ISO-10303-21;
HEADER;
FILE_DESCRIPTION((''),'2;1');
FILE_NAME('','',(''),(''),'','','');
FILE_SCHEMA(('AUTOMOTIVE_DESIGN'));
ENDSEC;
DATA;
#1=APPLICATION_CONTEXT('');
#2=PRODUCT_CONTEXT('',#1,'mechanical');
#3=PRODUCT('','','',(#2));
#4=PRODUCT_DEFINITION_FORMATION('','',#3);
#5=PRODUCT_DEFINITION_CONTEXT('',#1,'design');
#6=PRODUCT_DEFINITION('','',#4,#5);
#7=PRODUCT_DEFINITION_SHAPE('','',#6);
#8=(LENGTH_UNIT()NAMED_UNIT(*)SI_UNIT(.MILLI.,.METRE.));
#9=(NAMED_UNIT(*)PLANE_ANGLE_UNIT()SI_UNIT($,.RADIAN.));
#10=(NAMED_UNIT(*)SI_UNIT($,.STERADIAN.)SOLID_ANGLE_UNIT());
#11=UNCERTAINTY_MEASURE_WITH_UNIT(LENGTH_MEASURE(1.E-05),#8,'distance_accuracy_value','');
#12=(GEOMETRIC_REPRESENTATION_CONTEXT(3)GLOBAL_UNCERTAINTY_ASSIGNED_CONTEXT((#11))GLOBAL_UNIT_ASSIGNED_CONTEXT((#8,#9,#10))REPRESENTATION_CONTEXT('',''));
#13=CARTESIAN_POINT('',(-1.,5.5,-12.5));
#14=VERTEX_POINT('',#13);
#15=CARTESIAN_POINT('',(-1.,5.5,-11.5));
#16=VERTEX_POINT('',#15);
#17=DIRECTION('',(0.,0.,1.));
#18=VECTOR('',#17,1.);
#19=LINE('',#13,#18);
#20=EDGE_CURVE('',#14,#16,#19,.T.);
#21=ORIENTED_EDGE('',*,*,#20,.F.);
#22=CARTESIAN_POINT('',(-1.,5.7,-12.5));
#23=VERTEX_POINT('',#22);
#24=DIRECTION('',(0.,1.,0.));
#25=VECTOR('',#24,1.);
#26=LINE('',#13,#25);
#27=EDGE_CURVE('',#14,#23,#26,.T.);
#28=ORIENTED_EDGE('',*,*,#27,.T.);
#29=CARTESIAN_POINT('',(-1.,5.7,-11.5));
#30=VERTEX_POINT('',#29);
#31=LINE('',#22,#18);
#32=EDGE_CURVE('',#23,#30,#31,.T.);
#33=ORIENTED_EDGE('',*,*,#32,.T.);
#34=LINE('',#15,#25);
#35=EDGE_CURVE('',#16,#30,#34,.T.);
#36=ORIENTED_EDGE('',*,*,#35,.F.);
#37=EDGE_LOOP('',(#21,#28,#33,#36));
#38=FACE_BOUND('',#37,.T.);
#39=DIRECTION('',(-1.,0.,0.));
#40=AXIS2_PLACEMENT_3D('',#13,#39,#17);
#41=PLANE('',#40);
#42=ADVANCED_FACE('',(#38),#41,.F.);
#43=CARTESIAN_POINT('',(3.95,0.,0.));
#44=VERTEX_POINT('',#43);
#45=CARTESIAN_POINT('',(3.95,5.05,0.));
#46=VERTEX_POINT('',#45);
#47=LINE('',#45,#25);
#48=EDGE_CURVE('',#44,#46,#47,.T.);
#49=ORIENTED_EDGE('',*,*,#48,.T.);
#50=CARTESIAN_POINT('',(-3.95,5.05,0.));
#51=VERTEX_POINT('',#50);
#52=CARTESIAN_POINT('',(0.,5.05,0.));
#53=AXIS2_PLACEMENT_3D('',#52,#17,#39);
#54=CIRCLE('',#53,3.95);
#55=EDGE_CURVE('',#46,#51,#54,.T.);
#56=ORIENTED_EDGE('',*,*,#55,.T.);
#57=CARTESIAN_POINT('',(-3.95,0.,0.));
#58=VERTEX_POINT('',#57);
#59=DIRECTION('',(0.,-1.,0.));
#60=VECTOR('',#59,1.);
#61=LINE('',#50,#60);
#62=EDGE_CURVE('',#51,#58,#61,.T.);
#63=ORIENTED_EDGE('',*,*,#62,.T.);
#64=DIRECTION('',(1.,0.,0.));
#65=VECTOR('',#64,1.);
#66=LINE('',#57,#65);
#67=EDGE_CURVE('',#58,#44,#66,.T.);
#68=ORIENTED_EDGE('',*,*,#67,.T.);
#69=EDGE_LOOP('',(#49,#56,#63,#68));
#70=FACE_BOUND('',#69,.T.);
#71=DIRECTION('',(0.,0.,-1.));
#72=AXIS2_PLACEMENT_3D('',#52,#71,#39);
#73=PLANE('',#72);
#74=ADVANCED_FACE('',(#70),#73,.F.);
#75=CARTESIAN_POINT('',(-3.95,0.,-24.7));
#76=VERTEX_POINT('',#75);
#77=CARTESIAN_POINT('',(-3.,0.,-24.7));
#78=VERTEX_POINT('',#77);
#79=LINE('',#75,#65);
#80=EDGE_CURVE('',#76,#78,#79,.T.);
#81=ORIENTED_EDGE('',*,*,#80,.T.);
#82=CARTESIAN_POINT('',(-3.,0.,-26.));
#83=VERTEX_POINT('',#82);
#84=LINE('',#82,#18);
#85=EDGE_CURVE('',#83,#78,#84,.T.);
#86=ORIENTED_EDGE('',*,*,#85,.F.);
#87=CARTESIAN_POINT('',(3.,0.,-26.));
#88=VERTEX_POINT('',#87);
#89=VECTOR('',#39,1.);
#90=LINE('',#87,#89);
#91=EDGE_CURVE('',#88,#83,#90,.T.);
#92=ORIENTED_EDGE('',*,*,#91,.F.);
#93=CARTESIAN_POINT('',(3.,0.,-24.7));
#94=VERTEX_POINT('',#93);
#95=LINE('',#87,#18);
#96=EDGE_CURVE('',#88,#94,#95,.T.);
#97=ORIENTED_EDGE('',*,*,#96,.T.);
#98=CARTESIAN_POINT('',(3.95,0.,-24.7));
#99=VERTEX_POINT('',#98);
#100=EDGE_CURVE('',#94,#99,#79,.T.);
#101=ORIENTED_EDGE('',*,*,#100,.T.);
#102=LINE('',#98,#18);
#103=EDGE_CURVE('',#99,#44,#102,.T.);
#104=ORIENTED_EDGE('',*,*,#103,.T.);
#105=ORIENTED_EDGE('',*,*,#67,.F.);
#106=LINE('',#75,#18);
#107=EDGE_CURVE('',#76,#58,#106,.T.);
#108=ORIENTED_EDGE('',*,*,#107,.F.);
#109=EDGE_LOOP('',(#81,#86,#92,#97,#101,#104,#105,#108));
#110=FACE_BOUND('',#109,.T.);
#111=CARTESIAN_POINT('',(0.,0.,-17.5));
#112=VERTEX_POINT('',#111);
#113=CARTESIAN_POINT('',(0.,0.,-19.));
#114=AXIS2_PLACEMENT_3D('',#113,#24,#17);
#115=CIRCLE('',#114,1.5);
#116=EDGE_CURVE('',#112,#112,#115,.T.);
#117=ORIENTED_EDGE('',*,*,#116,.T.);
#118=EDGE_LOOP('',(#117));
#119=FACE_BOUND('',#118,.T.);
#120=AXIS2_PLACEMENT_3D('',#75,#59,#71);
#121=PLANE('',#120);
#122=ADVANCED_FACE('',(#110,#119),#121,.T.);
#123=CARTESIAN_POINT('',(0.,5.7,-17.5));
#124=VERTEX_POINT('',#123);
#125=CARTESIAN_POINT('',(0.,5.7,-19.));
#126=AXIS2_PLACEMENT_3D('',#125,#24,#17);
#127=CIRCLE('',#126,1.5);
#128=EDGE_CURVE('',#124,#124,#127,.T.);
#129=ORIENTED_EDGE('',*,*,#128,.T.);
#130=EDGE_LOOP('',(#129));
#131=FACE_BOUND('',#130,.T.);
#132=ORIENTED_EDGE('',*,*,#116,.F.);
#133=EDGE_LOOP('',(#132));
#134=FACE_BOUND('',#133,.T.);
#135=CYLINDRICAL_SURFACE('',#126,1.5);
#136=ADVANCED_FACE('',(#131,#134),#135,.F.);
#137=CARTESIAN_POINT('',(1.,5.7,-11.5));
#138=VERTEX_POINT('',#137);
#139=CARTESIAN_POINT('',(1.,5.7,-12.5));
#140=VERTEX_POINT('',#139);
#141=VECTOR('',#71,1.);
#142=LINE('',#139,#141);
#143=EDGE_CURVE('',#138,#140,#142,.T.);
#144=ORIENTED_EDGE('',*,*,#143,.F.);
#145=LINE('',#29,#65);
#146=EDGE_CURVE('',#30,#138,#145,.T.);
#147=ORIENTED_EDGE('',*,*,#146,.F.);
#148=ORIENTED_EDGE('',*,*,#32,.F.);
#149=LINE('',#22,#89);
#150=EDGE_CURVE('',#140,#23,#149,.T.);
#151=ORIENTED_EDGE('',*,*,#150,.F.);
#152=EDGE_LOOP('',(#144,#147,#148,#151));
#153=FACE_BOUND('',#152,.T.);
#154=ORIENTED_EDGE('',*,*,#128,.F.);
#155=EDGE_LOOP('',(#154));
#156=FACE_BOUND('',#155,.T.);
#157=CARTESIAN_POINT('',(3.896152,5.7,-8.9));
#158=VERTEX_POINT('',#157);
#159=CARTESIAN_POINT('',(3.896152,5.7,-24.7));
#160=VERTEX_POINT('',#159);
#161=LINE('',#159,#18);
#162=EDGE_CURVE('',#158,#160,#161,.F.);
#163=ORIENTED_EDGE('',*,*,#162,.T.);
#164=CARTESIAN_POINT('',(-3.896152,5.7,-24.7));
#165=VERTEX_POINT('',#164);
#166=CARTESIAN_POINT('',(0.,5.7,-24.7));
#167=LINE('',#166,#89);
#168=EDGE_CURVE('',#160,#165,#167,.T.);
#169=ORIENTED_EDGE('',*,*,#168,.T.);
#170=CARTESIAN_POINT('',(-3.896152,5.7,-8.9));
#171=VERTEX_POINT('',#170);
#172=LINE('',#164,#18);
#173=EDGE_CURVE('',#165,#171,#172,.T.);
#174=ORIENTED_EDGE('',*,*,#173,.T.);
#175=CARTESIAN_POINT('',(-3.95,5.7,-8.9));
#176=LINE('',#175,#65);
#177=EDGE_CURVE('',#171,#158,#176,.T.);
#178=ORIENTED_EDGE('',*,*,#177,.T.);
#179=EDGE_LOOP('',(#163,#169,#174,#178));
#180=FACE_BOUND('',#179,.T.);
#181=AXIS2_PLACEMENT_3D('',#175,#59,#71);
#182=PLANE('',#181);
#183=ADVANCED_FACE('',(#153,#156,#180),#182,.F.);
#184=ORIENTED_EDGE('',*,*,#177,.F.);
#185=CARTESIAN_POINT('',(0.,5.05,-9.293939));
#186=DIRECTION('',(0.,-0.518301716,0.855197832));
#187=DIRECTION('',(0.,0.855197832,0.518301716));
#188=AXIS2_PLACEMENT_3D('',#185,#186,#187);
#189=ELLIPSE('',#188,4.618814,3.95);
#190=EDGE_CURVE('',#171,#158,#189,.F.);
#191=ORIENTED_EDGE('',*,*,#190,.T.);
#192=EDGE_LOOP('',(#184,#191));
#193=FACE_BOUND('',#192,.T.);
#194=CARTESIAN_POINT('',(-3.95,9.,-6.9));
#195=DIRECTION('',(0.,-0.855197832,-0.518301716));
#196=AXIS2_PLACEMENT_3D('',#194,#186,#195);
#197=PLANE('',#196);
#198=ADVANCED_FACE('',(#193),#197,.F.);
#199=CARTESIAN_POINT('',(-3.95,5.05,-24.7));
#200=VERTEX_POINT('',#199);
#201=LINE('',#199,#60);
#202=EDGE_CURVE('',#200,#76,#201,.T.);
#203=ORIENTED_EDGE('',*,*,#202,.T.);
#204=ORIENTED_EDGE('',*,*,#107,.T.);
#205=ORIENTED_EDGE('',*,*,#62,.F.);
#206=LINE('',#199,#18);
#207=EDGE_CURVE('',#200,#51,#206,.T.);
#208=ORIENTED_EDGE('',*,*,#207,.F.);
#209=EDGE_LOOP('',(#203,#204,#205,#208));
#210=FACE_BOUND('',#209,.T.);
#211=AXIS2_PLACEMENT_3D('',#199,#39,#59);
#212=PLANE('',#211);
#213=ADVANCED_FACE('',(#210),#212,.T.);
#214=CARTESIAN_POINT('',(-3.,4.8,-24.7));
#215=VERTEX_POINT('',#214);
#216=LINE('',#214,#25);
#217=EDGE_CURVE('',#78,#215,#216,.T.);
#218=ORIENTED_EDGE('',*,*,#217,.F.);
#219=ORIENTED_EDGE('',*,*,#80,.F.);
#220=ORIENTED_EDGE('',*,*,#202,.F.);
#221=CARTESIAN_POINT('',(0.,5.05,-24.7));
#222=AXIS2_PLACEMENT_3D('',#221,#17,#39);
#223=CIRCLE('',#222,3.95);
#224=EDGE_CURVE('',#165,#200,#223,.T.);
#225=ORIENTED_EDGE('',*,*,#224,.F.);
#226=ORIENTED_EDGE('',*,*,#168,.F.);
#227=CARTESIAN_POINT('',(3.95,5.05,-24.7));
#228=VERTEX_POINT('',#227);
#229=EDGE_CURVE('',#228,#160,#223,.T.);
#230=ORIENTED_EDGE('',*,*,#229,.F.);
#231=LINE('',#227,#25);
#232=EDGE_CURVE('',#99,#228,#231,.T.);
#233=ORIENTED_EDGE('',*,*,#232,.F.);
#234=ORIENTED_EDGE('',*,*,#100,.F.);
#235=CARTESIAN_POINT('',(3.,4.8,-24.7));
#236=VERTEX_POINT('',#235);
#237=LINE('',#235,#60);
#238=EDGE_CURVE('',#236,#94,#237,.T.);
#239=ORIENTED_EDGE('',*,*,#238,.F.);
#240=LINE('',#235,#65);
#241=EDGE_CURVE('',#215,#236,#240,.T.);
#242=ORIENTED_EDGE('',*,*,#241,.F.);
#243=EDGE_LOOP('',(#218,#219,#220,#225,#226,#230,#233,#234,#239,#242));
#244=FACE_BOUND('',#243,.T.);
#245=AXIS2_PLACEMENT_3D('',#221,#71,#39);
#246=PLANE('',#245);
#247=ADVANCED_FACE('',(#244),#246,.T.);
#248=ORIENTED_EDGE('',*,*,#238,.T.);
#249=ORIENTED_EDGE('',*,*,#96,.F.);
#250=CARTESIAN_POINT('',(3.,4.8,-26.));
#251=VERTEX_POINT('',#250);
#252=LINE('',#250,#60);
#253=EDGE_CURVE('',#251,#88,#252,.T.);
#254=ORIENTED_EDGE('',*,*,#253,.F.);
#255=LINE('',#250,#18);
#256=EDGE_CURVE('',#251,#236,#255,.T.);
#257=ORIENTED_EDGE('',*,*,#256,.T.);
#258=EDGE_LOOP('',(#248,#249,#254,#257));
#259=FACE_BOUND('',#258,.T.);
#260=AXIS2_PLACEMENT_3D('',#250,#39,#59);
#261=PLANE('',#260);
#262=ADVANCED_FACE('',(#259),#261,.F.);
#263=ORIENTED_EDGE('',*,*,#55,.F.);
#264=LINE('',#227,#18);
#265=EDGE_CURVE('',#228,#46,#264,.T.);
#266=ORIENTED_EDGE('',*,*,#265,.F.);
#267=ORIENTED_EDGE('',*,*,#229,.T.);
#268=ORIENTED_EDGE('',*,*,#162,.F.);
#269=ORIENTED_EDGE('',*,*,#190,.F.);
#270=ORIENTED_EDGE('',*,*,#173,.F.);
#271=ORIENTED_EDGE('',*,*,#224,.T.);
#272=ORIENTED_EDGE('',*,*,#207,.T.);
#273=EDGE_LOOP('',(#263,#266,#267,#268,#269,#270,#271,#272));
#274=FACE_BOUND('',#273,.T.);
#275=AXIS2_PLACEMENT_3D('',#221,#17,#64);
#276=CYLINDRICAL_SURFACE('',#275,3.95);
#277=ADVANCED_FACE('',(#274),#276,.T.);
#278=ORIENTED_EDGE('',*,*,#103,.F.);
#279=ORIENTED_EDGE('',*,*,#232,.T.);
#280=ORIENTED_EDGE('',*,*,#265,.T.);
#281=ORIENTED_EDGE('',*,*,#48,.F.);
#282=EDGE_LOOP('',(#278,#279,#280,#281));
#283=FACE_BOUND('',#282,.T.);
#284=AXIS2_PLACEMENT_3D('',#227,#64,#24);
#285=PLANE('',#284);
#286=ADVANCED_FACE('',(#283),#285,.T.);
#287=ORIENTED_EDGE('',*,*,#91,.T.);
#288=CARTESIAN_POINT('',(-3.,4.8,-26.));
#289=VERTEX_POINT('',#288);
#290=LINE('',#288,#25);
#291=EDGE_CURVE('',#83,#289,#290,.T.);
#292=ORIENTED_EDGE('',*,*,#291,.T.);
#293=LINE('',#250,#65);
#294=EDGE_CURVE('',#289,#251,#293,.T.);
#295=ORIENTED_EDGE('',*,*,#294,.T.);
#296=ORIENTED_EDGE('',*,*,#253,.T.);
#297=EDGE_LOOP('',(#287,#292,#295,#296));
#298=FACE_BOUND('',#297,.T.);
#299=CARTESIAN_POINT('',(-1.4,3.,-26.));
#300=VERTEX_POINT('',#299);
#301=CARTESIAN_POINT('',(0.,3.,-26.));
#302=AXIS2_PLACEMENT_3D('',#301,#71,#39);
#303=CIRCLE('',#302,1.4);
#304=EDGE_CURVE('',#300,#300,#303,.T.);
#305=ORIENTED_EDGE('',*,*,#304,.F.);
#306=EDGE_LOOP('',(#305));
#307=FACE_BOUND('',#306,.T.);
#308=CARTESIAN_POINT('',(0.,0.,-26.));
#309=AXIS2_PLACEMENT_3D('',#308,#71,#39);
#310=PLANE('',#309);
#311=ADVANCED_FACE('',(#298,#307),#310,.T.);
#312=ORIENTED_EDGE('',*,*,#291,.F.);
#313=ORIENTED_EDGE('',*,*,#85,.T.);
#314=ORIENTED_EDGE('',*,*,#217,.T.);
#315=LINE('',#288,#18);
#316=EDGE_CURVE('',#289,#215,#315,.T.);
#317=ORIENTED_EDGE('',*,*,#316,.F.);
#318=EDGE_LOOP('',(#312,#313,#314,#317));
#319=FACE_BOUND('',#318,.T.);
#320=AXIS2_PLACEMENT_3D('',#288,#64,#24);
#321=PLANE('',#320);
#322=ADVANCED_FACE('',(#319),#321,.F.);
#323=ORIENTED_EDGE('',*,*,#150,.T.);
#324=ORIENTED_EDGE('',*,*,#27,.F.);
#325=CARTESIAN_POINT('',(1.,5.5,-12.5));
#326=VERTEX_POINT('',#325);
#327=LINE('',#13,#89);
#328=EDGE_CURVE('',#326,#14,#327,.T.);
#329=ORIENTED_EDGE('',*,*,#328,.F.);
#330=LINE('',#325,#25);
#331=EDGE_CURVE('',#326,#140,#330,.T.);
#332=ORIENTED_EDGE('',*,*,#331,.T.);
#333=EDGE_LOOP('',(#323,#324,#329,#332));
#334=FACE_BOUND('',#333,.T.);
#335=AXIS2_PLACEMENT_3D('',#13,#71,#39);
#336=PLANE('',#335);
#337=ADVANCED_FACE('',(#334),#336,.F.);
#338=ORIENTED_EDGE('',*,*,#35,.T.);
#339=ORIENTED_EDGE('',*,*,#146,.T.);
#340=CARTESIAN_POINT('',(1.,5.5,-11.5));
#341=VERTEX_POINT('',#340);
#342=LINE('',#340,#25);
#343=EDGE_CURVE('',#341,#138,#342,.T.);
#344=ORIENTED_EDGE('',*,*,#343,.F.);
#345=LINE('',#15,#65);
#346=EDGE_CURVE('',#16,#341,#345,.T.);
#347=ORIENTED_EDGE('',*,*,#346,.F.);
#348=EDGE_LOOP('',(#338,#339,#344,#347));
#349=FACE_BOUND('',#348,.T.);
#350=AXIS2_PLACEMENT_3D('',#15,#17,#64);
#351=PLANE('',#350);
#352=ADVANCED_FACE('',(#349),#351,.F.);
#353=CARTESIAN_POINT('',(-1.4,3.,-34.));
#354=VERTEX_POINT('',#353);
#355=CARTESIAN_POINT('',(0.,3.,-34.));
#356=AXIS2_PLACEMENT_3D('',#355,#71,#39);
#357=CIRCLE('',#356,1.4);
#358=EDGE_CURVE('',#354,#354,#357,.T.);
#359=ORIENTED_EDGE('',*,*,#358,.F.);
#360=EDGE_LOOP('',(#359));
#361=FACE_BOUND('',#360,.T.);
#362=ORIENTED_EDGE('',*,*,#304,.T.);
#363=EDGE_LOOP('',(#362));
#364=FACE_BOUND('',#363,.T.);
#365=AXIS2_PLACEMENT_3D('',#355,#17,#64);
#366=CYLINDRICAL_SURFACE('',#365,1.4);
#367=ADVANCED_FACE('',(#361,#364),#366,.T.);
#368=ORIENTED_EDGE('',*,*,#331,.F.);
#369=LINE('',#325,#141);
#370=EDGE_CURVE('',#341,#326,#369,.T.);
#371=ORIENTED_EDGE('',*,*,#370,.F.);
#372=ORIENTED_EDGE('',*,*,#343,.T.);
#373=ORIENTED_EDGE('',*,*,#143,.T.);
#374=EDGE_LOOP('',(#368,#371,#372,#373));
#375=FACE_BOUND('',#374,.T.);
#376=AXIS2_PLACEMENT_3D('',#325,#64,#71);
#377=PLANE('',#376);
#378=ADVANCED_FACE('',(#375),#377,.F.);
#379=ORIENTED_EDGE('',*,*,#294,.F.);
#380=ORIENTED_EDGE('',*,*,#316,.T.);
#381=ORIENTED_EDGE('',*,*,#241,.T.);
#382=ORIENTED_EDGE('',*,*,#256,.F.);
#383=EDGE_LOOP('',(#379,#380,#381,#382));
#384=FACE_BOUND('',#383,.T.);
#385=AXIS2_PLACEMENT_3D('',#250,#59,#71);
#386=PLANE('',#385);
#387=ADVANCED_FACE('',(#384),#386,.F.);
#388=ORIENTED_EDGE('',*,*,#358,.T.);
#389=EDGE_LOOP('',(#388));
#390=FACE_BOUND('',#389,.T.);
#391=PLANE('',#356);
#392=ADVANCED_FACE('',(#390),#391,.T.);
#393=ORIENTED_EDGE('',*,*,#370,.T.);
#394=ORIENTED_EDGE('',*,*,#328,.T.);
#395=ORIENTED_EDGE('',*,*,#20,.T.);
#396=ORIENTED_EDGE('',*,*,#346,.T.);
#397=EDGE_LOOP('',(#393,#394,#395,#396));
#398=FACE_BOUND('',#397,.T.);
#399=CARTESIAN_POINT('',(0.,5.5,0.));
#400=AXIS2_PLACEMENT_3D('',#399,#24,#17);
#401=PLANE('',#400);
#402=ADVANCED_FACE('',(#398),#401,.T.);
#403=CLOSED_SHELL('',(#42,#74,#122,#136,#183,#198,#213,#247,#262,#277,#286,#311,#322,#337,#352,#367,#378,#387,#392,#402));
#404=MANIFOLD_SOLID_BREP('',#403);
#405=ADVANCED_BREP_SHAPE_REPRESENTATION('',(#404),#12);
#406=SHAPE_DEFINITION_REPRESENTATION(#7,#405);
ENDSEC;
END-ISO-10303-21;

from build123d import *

# Parameters (mm, degrees)
BOSS_EXTRU_1_DEPTH           = 24.7
ENL_V_MAT_EXTRU_1_DEPTH      = 27.583688608
ENL_V_MAT_EXTRU_1_DEPTH_BACK = 27.583688608
D_GAGEMENT_M31_D             = 3
ESQUISSE5_W                  = 6
ESQUISSE5_H                  = 4.8
BOSS_EXTRU_2_DEPTH           = 1.3
ESQUISSE6_R                  = 1.4
BOSS_EXTRU_3_DEPTH           = 8
ESQUISSE7_W                  = 2
ESQUISSE7_H                  = 1
ENL_V_MAT_EXTRU_2_DEPTH      = 0.2


with BuildPart() as part:
    # Esquisse1 → Boss.-Extru.1 (new body)
    with BuildSketch(Plane.XY):
        with BuildLine():
            Line((-3.95, 5.05), (-3.95, 0))
            Line((-3.95, 0), (3.95, 0))
            Line((3.95, 0), (3.95, 5.05))
            ThreePointArc((3.95, 5.05), (0, 9), (-3.95, 5.05))
        make_face()
    extrude(amount=-BOSS_EXTRU_1_DEPTH)

    # Esquisse2 → Enlèv. mat.-Extru.1 (cut, two sides: drawn at the far end of the back side and taken through both)
    with BuildSketch(Plane(origin=(0, 0, 0), x_dir=(0, 0, -1), z_dir=(1, 0, 0)).offset(-ENL_V_MAT_EXTRU_1_DEPTH_BACK)):
        Polygon((6.9, 9), (8.9, 5.7), (24.7, 5.7), (24.7, 9), align=None)
    extrude(amount=ENL_V_MAT_EXTRU_1_DEPTH + ENL_V_MAT_EXTRU_1_DEPTH_BACK, mode=Mode.SUBTRACT)

    # Dégagement M31 (through all)
    with Locations(Plane(origin=(0, 5.7, 0), x_dir=(1, 0, 0), z_dir=(0, 1, 0))):
        with Locations((0, 19)):
            Hole(D_GAGEMENT_M31_D / 2)

    # Esquisse5 → Boss.-Extru.2 (add)
    with BuildSketch(Plane(origin=(0, 0, -24.7), x_dir=(-1, 0, 0), z_dir=(0, 0, -1))):
        with Locations((0, 2.4)):
            Rectangle(ESQUISSE5_W, ESQUISSE5_H)
    extrude(amount=BOSS_EXTRU_2_DEPTH)

    # Esquisse6 → Boss.-Extru.3 (add)
    with BuildSketch(Plane(origin=(0, 0, -26), x_dir=(-1, 0, 0), z_dir=(0, 0, -1))):
        with Locations((0, 3)):
            Circle(ESQUISSE6_R)
    extrude(amount=BOSS_EXTRU_3_DEPTH)

    # Esquisse7 → Enlèv. mat.-Extru.2 (cut)
    with BuildSketch(Plane(origin=(0, 5.7, 0), x_dir=(1, 0, 0), z_dir=(0, 1, 0))):
        with Locations((0, 12)):
            Rectangle(ESQUISSE7_W, ESQUISSE7_H)
    extrude(amount=-ENL_V_MAT_EXTRU_2_DEPTH, mode=Mode.SUBTRACT)


solid = part.part
